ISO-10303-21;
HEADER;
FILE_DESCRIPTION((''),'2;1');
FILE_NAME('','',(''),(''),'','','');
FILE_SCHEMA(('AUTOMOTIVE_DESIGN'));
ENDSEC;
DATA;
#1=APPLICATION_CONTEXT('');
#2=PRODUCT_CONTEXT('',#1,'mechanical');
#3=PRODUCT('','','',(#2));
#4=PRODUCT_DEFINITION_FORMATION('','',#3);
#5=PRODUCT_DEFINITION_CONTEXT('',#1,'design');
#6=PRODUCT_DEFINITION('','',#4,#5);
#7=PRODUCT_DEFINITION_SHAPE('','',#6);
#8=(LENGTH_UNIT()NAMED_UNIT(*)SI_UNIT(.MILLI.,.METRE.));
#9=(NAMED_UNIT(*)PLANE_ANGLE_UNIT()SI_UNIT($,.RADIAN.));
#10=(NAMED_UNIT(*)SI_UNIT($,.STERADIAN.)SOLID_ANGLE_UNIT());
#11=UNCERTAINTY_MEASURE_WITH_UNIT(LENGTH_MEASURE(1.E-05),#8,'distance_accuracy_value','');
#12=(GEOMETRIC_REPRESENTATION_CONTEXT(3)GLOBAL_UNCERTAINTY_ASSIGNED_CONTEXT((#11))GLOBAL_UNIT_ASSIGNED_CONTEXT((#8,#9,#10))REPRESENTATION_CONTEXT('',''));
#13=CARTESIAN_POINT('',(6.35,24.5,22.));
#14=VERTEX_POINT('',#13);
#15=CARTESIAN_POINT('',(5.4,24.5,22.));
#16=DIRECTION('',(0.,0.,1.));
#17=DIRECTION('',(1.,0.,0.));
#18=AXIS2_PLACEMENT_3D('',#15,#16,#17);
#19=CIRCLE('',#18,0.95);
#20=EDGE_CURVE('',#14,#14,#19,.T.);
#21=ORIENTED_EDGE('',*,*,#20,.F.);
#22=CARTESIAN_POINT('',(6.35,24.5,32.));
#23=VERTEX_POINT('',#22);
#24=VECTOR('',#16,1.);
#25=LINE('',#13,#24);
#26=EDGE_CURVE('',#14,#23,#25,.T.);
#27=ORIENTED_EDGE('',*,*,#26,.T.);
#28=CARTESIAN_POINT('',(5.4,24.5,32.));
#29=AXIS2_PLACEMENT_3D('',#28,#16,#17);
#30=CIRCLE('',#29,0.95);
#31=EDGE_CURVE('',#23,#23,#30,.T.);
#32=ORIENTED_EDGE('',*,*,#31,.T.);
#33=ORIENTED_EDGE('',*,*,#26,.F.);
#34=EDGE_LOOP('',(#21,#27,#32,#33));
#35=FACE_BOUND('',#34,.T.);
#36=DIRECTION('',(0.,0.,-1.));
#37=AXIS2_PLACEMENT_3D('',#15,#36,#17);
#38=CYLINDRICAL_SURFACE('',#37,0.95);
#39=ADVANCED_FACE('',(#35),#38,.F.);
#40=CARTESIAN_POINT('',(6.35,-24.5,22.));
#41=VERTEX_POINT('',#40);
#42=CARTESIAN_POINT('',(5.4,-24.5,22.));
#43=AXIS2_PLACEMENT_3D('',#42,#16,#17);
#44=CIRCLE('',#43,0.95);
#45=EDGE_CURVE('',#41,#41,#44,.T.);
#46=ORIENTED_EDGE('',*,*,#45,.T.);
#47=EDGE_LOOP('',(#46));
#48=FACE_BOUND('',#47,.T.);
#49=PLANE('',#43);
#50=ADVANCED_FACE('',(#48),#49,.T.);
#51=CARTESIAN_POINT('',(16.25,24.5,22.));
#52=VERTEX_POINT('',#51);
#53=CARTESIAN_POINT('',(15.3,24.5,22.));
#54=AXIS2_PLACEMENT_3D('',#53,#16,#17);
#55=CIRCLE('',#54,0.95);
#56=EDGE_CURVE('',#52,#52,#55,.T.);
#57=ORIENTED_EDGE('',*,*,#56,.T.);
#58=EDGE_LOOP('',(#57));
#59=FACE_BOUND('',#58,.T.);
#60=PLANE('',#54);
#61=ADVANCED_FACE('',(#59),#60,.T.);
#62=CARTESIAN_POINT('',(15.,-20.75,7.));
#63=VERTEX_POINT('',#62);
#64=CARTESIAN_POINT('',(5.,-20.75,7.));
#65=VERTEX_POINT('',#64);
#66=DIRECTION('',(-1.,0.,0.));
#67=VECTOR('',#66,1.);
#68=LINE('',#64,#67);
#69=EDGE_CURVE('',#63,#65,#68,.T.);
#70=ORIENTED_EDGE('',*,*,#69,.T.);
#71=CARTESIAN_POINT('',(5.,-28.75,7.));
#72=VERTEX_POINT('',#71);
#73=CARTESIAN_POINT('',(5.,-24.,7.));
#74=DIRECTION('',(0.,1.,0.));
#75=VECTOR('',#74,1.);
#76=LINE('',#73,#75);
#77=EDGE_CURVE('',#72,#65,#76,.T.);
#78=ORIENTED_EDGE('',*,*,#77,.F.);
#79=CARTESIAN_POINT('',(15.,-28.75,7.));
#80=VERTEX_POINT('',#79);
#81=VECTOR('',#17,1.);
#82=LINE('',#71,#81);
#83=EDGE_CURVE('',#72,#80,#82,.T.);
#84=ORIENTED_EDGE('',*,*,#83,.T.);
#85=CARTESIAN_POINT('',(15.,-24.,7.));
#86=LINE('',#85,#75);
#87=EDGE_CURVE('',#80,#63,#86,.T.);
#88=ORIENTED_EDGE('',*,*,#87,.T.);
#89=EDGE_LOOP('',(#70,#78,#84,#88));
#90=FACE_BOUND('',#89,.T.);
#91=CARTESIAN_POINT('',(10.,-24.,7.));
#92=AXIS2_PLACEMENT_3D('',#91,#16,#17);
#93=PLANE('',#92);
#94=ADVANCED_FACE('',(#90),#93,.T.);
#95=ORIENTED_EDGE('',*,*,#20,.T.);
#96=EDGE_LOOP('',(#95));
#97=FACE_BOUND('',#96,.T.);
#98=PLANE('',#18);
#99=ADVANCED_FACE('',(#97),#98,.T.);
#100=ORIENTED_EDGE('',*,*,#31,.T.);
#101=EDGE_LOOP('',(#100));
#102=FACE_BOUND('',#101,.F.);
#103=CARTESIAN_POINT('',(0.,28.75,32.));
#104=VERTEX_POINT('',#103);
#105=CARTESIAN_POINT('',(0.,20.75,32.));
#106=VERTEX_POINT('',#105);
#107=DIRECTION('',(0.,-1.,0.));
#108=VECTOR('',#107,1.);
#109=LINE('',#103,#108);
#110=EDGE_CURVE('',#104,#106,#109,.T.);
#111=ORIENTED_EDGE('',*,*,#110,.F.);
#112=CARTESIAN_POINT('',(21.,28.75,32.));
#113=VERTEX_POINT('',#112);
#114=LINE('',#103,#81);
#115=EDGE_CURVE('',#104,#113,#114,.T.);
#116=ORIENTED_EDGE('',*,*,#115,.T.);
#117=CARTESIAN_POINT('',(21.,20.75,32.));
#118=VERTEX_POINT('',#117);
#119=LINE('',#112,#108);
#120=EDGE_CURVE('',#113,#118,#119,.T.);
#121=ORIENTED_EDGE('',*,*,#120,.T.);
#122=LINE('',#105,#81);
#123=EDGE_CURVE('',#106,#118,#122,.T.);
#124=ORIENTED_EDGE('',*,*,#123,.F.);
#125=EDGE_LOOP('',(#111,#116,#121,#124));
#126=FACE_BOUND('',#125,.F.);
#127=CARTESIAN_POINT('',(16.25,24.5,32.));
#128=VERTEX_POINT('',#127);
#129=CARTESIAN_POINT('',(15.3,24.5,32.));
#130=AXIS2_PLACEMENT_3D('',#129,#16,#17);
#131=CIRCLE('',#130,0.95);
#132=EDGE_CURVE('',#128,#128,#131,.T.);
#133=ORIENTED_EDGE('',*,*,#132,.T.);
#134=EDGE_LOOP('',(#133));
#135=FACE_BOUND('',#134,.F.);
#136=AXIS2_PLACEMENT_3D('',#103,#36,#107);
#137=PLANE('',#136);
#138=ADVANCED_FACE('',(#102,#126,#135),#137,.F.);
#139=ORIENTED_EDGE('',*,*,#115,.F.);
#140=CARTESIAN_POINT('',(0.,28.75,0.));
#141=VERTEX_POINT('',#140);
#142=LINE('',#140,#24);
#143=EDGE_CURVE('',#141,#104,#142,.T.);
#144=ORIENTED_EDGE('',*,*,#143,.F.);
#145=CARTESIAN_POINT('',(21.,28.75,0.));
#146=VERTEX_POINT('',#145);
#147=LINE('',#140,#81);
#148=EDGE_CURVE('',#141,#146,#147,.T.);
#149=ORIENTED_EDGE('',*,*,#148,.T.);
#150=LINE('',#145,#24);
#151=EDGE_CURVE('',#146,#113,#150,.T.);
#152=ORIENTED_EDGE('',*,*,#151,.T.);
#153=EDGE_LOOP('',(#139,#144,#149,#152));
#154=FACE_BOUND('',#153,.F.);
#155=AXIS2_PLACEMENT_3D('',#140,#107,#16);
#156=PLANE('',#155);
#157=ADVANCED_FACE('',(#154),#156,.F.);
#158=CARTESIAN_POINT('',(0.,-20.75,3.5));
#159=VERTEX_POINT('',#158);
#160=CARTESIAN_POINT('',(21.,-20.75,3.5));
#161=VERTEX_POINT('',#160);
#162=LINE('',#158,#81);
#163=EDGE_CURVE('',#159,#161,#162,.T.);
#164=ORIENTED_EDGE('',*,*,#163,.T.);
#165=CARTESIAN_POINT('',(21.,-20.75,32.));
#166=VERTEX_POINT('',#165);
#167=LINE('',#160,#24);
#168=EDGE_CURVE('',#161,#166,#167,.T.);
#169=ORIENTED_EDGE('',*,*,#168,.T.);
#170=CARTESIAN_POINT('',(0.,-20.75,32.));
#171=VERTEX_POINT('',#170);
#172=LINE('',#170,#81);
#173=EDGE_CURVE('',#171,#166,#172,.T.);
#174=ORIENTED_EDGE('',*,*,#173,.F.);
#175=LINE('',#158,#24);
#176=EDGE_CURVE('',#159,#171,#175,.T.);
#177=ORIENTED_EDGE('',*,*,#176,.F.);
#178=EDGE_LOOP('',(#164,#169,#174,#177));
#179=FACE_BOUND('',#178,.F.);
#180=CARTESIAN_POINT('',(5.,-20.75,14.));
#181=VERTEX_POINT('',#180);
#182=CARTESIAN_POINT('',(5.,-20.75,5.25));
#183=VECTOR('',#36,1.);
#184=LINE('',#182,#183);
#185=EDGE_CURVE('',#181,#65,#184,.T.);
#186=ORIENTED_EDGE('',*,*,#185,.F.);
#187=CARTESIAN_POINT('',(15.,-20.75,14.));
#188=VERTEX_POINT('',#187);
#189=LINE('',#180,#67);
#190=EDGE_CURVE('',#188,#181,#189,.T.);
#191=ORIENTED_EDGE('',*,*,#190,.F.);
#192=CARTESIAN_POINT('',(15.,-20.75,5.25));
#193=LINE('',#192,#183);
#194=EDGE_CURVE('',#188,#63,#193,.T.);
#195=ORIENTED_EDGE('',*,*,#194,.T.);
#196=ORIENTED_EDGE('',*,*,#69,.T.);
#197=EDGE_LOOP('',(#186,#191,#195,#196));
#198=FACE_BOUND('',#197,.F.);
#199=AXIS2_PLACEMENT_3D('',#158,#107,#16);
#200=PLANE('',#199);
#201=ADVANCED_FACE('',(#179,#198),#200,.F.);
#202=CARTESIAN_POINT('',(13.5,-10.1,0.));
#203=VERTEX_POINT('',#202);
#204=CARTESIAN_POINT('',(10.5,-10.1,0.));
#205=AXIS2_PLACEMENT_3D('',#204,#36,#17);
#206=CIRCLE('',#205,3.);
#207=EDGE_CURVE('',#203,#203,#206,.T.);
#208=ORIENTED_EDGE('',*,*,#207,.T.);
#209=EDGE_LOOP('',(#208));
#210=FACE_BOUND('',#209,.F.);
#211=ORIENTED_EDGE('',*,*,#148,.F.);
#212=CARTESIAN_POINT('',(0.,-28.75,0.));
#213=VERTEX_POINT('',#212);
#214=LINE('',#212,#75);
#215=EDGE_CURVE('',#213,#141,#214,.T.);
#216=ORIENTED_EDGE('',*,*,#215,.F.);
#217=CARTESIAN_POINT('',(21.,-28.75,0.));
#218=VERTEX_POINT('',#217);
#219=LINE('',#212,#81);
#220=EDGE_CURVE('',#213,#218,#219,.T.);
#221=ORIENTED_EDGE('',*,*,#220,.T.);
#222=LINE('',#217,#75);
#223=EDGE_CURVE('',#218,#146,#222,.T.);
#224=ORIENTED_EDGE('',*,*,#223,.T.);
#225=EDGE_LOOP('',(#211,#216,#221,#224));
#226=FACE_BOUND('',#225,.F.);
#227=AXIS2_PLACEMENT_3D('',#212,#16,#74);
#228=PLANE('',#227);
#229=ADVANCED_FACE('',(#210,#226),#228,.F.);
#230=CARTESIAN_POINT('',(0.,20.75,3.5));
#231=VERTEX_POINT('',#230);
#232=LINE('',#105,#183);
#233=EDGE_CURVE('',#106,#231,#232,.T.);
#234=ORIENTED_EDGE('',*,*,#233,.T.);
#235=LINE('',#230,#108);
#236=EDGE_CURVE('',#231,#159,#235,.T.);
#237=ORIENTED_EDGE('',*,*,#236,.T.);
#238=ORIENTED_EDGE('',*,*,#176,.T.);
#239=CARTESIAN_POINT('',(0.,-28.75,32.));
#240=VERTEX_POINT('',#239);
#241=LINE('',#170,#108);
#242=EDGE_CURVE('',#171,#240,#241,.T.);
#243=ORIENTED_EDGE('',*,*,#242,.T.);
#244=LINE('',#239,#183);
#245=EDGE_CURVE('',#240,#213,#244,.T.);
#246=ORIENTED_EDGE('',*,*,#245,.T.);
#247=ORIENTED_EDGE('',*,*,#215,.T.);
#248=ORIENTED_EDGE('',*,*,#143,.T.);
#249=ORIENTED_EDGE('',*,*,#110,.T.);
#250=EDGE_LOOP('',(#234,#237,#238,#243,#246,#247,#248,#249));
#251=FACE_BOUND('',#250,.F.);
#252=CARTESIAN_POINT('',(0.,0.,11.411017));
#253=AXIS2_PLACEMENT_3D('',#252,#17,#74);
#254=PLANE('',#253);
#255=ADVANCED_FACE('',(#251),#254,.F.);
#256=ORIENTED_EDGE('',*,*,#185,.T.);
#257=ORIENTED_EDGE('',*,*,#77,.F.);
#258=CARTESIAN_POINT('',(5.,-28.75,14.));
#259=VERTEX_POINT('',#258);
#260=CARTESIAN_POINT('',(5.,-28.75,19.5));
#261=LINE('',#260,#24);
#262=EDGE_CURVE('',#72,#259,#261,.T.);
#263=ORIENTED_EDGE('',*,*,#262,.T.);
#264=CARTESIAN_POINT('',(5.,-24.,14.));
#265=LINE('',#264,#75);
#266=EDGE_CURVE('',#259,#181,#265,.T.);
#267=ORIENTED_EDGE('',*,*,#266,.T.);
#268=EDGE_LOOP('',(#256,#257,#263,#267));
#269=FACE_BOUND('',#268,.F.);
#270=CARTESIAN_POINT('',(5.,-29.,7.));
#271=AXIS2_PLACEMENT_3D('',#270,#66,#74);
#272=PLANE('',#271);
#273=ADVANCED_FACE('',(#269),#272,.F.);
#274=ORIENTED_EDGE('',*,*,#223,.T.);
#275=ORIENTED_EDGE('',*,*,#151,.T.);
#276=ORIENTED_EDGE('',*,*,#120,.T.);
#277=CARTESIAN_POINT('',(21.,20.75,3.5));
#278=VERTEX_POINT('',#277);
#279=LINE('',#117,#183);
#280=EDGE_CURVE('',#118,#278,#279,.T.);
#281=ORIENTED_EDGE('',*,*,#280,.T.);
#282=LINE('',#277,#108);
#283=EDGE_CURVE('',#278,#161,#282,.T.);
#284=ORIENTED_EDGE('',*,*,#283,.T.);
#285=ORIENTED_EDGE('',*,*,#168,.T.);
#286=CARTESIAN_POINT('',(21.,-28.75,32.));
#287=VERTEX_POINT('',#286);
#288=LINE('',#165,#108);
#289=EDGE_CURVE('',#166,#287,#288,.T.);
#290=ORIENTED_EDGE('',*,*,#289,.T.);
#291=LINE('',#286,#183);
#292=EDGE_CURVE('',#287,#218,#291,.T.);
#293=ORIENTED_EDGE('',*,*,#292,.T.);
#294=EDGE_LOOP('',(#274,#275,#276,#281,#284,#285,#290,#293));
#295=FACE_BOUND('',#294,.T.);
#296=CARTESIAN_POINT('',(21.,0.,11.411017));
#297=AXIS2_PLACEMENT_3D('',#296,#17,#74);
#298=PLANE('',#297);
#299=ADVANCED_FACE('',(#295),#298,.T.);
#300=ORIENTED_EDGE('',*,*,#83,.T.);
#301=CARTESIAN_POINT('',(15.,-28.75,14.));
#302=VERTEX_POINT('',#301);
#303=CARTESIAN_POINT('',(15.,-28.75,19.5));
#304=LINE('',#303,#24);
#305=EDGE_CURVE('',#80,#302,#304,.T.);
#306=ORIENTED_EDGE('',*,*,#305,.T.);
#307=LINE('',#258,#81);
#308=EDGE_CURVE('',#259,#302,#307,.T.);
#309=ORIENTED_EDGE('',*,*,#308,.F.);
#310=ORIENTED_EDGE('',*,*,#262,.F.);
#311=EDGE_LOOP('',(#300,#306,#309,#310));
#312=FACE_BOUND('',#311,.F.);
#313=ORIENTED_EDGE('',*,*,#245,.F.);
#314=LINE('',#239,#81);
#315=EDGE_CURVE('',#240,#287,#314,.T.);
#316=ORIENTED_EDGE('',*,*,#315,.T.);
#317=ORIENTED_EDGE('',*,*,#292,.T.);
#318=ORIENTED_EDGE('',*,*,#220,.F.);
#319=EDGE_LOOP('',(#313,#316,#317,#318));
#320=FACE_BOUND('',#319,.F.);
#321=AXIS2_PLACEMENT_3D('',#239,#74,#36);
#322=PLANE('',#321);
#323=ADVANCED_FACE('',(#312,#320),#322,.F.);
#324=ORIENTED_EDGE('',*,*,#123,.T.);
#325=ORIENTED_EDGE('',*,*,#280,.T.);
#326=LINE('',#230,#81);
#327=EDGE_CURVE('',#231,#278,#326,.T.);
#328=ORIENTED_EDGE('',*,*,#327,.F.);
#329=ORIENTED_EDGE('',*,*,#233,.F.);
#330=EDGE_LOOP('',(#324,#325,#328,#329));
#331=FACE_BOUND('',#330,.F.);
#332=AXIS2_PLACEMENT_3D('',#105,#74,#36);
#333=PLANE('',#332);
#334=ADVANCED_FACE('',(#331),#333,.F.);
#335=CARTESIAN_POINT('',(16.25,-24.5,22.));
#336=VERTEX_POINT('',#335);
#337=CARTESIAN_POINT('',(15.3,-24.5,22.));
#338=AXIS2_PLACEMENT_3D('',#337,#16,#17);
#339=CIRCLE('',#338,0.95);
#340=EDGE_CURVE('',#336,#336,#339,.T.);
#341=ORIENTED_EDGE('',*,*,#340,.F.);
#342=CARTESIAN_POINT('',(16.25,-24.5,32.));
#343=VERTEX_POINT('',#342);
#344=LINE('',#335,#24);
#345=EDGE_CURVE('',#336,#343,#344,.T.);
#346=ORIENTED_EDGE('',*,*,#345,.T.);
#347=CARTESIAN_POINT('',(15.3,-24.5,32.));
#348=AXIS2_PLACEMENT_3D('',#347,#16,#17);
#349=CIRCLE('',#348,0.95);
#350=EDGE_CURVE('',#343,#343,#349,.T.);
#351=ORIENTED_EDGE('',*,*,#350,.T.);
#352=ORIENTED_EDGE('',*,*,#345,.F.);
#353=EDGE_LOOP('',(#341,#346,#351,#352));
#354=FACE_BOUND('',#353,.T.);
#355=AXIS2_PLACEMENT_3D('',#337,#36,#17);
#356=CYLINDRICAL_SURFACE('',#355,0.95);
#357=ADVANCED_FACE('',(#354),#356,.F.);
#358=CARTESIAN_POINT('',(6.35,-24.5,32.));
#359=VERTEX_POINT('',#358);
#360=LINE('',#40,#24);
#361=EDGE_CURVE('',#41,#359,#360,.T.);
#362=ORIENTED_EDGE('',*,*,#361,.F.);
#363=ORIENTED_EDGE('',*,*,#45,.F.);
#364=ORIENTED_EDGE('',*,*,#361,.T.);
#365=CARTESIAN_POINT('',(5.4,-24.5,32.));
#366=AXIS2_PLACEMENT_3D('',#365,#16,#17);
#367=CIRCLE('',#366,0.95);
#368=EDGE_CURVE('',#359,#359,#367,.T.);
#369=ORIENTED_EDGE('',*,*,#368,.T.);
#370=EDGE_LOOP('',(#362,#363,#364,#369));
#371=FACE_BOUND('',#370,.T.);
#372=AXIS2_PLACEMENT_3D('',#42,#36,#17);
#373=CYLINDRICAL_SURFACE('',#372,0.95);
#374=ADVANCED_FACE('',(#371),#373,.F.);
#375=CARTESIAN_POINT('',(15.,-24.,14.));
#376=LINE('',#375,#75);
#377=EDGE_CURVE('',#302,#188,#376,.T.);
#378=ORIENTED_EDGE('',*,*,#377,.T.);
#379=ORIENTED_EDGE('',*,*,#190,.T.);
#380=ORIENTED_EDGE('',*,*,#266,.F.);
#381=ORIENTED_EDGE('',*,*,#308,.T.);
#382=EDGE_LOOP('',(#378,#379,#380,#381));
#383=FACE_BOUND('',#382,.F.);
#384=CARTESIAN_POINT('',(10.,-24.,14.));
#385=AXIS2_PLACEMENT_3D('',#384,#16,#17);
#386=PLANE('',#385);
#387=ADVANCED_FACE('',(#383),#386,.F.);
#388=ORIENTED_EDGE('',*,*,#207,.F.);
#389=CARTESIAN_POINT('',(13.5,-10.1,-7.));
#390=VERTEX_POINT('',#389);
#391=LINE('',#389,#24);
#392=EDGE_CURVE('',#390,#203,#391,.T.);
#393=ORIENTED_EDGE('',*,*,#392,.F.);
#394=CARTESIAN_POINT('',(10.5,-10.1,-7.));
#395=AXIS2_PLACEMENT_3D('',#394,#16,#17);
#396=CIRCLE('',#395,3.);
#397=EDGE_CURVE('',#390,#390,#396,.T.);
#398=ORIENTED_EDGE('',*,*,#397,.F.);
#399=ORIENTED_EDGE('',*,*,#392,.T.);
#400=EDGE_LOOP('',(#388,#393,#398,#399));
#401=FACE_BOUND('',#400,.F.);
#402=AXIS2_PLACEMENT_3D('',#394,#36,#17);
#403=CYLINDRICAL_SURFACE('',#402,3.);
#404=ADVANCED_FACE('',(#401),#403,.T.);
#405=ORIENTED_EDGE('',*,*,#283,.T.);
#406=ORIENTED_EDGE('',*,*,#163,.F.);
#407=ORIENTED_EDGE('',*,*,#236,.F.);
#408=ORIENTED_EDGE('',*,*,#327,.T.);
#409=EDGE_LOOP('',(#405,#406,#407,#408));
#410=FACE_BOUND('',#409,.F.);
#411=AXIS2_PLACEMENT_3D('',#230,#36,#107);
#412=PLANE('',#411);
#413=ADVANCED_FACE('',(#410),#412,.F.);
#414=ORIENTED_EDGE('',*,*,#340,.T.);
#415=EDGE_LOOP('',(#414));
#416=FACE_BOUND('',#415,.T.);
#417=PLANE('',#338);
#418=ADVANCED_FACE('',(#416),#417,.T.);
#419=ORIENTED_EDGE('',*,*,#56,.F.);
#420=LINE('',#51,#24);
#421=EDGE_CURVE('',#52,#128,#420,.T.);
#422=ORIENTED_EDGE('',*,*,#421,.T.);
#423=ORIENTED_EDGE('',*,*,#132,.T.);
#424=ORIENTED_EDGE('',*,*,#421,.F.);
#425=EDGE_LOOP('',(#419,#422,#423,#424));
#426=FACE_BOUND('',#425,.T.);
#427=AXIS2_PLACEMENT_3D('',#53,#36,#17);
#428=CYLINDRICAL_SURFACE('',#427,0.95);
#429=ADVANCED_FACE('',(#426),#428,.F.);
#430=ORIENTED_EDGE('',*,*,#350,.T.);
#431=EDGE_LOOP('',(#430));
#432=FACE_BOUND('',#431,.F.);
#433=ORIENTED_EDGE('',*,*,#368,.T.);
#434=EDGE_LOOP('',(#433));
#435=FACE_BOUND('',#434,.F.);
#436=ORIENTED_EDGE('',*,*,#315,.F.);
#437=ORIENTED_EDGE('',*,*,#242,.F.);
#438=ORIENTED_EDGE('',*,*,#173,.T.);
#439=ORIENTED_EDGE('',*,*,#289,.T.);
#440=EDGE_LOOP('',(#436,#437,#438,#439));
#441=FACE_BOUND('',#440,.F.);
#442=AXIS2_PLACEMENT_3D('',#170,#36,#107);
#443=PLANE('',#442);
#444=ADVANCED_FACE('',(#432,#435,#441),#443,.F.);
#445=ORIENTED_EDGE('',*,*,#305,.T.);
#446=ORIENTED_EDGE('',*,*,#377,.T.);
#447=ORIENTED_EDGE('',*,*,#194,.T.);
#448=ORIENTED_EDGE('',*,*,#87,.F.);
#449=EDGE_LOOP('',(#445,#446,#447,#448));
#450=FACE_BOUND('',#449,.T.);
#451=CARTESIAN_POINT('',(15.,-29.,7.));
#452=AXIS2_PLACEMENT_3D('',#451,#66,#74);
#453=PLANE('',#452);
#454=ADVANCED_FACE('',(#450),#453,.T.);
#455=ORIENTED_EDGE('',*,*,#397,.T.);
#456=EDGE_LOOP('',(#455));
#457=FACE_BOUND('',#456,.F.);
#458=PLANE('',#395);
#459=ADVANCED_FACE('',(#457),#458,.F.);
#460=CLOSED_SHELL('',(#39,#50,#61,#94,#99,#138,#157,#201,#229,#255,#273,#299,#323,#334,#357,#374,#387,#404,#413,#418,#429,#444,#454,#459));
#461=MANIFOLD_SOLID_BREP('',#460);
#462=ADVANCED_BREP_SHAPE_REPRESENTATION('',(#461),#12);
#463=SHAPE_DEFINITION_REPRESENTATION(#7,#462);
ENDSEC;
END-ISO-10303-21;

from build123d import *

# Parameters (mm, degrees)
CYLINDER015_R     = 0.95
CYLINDER015_DEPTH = 10
CYLINDER016_R     = 0.95
CYLINDER016_DEPTH = 10
CYLINDER013_R     = 0.95
CYLINDER013_DEPTH = 10
CYLINDER014_R     = 0.95
CYLINDER014_DEPTH = 10
BOX003_W          = 10
BOX003_H          = 10
BOX003_DEPTH      = 7
PAD003_DEPTH      = 21
CYLINDER012_R     = 3
CYLINDER012_DEPTH = 10


with BuildPart() as cylinder015:
    # Cylinder015 → Cylinder015 (new body)
    with BuildSketch(Plane(origin=(9.9, 0, 0), x_dir=(1, 0, 0), z_dir=(0, 0, 1))):
        Circle(CYLINDER015_R)
    extrude(amount=CYLINDER015_DEPTH)


with BuildPart() as tornillos007:
    # Cylinder016 → Cylinder016 (new body)
    with BuildSketch(Plane.XY):
        Circle(CYLINDER016_R)
    extrude(amount=CYLINDER016_DEPTH)

    # Fusion011: union Cylinder015
    add(cylinder015.part)


with BuildPart() as tornillos007_1:
    # Fusion011 placement: moved
    add(tornillos007.part.moved(Location((5, -24.5, 22))))


with BuildPart() as cylinder013:
    # Cylinder013 → Cylinder013 (new body)
    with BuildSketch(Plane(origin=(9.9, 0, 0), x_dir=(1, 0, 0), z_dir=(0, 0, 1))):
        Circle(CYLINDER013_R)
    extrude(amount=CYLINDER013_DEPTH)


with BuildPart() as fusion012:
    # Cylinder014 → Cylinder014 (new body)
    with BuildSketch(Plane.XY):
        Circle(CYLINDER014_R)
    extrude(amount=CYLINDER014_DEPTH)

    # Fusion010: union Cylinder013
    add(cylinder013.part)


with BuildPart() as fusion012_1:
    # Fusion010 placement: moved
    add(fusion012.part.moved(Location((5, 24.5, 22))))

    # Fusion012: union Tornillos007
    add(tornillos007_1.part)


with BuildPart() as fusion012_2:
    # Fusion012 placement: moved
    add(fusion012_1.part.moved(Location((0.4, 0, 0))))


with BuildPart() as cube003:
    # Box003 → Box003 (new body)
    with BuildSketch(Plane(origin=(5, -29, 7), x_dir=(1, 0, 0), z_dir=(0, 0, 1))):
        with Locations((5, 5)):
            Rectangle(BOX003_W, BOX003_H)
    extrude(amount=BOX003_DEPTH)


with BuildPart() as holder004:
    # Sketch003 → Pad003 (new body)
    with BuildSketch(Plane.YZ):
        Polygon((-28.75, 32), (-28.75, 0), (28.75, 0), (28.75, 32), (20.75, 32), (20.75, 3.5), (-20.75, 3.5), (-20.75, 32), align=None)
    extrude(amount=PAD003_DEPTH)

    # Cut006: cut Cube003
    add(cube003.part, mode=Mode.SUBTRACT)

    # Cut007: cut Fusion012
    add(fusion012_2.part, mode=Mode.SUBTRACT)


with BuildPart() as holderceje:
    # Cylinder012 → Cylinder012 (new body)
    with BuildSketch(Plane(origin=(10.5, -10.1, -7), x_dir=(1, 0, 0), z_dir=(0, 0, 1))):
        Circle(CYLINDER012_R)
    extrude(amount=CYLINDER012_DEPTH)

    # Fusion013: union Holder004
    add(holder004.part)


solid = holderceje.part
